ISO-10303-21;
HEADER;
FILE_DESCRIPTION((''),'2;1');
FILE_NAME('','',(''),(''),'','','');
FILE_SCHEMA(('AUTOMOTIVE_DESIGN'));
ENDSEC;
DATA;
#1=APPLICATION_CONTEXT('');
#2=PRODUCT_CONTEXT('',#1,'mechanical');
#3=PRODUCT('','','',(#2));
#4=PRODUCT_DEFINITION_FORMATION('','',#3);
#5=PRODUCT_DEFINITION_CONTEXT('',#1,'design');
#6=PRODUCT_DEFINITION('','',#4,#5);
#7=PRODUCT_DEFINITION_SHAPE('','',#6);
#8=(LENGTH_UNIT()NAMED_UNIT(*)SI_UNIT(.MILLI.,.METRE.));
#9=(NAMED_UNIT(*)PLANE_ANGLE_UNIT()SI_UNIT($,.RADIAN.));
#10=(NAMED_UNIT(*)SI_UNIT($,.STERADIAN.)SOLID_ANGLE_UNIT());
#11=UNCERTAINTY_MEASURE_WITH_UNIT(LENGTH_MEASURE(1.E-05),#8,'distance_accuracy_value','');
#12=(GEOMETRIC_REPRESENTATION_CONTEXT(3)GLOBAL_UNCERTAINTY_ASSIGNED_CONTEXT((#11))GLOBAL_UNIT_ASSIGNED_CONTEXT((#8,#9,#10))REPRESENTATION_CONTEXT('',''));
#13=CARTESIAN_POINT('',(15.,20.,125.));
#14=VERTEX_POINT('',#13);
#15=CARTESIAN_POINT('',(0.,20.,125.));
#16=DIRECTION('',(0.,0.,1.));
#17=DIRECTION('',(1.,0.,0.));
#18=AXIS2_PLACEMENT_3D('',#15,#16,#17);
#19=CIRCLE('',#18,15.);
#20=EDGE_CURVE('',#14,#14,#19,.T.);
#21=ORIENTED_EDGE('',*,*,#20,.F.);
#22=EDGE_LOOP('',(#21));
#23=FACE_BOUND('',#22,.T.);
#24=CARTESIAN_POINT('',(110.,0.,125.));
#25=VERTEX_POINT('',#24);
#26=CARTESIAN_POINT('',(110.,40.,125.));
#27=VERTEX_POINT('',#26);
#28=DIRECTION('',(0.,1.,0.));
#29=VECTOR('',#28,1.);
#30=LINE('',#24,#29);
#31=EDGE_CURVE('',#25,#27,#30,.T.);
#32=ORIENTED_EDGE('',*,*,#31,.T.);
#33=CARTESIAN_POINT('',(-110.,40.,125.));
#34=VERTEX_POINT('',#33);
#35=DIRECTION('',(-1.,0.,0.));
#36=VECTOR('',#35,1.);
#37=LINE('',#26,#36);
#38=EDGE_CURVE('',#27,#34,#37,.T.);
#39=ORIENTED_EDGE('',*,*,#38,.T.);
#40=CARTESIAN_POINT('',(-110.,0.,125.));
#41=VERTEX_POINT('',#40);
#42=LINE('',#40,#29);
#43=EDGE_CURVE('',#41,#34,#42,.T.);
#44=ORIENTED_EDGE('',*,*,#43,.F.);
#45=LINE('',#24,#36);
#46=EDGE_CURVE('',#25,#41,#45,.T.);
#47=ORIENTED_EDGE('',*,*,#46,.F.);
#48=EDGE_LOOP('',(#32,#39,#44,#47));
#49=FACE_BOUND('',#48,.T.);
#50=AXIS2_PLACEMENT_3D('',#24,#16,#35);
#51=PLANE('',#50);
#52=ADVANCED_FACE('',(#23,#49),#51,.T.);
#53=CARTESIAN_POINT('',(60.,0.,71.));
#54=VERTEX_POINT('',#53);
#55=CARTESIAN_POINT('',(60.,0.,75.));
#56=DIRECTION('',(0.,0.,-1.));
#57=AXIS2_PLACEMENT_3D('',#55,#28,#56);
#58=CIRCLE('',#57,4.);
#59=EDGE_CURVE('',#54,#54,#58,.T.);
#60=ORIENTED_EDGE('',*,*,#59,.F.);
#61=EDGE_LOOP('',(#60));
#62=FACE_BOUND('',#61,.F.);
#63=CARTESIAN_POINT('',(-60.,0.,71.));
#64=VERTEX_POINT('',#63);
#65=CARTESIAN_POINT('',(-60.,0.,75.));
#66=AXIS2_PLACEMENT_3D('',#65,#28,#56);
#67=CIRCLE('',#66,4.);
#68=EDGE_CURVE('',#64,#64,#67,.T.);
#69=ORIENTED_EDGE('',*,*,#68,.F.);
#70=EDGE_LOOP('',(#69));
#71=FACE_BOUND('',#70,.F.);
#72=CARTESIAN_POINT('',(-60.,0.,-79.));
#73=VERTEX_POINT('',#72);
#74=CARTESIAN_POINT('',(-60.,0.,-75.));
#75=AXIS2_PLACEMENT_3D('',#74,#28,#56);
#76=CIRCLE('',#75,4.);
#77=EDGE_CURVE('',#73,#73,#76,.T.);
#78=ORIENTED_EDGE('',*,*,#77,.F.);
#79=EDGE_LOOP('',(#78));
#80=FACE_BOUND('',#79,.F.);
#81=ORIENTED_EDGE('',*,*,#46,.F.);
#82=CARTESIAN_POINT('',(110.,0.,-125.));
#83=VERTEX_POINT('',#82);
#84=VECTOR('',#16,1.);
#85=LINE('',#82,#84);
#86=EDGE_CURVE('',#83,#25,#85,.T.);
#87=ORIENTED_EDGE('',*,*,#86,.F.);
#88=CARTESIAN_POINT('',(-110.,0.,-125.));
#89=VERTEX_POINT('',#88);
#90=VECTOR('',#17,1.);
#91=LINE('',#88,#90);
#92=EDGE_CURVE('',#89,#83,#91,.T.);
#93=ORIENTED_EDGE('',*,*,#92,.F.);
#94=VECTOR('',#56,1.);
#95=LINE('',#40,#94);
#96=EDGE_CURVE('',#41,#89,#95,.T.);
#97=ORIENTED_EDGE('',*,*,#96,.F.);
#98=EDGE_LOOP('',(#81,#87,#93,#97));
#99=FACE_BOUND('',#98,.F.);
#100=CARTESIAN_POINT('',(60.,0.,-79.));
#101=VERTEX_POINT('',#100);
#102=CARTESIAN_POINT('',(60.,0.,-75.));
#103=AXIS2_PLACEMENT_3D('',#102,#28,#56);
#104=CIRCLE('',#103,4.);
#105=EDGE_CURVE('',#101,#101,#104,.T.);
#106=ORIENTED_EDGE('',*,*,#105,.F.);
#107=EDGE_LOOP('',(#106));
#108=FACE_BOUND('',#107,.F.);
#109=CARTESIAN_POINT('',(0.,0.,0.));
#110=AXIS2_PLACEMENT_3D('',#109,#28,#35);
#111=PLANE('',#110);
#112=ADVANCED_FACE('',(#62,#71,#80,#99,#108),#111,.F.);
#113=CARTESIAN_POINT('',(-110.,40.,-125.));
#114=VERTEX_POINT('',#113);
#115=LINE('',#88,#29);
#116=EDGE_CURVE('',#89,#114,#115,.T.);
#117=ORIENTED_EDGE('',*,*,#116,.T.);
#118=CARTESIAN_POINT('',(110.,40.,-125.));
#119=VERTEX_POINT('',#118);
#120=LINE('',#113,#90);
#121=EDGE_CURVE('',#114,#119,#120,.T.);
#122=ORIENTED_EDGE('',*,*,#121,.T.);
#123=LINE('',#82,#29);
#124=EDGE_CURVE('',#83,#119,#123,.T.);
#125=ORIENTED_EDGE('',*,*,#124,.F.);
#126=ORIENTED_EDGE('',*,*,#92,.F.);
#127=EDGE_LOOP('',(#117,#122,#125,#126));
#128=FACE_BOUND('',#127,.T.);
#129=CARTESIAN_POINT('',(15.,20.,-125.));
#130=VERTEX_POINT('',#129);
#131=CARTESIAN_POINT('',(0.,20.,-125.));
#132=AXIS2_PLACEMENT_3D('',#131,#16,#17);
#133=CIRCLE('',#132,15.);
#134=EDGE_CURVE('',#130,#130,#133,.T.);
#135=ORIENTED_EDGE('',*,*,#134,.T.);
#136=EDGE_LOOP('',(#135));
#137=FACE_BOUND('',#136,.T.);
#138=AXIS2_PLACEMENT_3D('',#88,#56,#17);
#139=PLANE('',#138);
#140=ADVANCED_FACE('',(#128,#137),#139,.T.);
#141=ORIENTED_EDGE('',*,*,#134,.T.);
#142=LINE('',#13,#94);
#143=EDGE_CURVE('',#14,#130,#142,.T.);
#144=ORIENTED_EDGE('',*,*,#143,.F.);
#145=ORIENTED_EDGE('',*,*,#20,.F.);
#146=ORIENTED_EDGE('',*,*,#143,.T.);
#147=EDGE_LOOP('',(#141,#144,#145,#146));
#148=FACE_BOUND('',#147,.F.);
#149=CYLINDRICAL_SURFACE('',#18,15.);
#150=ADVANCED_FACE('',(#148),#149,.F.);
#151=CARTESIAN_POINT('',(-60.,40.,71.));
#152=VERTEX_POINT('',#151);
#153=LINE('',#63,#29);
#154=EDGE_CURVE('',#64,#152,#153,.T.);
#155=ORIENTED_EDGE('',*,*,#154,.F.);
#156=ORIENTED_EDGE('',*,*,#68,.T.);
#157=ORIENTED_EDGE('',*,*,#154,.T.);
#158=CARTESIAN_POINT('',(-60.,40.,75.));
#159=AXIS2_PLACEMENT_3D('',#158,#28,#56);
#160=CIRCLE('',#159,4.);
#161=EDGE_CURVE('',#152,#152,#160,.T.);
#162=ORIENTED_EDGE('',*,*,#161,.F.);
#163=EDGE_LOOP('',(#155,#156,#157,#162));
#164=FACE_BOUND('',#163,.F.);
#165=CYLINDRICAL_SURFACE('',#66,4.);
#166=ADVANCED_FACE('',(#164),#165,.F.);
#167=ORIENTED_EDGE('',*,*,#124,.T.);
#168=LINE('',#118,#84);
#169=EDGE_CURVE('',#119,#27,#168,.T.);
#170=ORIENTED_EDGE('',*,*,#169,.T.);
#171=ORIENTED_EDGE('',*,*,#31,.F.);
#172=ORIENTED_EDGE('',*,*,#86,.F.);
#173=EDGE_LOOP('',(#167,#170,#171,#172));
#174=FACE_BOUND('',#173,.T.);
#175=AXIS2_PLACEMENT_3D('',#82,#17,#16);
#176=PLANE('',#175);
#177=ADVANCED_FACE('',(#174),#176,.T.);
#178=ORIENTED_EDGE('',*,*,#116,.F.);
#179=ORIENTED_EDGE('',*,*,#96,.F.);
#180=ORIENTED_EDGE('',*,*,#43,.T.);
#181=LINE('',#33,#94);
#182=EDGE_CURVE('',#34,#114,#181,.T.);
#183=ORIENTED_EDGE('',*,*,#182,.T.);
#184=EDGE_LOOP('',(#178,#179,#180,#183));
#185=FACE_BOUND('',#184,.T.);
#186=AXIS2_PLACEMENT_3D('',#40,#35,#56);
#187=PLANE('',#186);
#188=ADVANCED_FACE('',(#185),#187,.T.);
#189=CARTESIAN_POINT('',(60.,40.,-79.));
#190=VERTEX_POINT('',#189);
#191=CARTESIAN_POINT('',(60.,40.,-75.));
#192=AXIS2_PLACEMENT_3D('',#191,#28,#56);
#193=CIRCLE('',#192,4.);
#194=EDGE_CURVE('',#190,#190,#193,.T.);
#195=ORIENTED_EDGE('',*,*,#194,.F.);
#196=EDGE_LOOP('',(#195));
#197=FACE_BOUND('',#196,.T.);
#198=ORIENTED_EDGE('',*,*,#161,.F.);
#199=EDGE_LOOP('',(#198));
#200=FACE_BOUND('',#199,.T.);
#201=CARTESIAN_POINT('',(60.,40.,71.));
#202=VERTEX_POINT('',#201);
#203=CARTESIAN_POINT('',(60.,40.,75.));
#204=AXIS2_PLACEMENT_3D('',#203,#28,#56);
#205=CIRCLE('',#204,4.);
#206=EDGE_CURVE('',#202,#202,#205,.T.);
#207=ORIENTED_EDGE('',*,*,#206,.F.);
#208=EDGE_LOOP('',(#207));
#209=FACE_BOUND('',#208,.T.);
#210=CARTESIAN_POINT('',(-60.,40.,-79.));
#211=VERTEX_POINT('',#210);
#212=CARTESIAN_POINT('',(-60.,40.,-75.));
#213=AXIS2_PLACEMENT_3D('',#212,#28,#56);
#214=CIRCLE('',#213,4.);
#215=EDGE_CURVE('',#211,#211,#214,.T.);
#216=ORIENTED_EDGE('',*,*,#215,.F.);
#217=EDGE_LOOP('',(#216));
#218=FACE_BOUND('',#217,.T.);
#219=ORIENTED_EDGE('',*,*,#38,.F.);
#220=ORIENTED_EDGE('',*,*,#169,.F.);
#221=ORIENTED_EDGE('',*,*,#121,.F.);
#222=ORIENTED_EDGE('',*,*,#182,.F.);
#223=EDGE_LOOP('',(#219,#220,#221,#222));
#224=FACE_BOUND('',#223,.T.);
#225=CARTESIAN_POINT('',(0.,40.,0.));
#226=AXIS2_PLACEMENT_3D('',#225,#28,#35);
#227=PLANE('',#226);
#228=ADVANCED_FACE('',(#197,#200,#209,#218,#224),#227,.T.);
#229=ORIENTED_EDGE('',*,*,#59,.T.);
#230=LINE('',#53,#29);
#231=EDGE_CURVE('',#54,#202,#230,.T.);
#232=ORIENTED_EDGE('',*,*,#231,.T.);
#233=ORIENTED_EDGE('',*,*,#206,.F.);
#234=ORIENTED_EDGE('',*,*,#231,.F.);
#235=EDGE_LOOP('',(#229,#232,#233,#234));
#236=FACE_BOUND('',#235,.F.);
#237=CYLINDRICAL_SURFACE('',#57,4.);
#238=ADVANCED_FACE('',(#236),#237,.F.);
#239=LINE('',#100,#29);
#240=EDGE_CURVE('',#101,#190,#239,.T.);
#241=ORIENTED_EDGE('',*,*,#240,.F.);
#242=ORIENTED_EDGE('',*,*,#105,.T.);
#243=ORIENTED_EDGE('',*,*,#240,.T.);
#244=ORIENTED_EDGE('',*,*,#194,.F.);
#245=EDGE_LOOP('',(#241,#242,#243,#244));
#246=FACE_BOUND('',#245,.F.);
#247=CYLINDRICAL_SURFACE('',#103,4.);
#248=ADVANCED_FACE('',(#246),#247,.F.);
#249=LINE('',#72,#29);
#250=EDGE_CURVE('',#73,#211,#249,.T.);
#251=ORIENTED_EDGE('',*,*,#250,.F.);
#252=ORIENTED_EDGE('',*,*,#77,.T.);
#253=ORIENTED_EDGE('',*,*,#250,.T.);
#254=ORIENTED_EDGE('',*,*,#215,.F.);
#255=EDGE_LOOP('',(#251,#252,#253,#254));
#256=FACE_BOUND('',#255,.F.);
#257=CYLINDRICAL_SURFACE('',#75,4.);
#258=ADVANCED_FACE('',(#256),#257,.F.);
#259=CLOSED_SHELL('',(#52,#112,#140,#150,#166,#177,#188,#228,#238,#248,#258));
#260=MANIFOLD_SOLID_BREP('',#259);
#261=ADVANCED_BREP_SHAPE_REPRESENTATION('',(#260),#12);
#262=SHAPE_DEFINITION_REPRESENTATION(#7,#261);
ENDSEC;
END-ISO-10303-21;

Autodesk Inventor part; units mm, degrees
ref_plane "YZ Plane" through (0, 0, 0) normal (1, 0, 0) x (0, 1, 0)
ref_plane "XZ Plane" through (0, 0, 0) normal (0, 1, 0) x (-1, 0, 0)
ref_plane "XY Plane" through (0, 0, 0) normal (0, 0, 1) x (1, 0, 0)
sketch "Sketch1" plane through (0, 0, 0) normal (0, 1, 0) x (-1, 0, 0)
  line L0 (110, -125) -> (-110, -125)
  line L1 (-110, -125) -> (-110, 125)
  line L2 (-110, 125) -> (110, 125)
  line L3 (110, 125) -> (110, -125)
  line L4 (110, -125) -> (-110, 125) construction
  line L5 (-110, -125) -> (110, 125) construction
  line L6 (-60, 75) -> (60, 75) construction
  line L7 (60, 75) -> (60, -75) construction
  line L8 (60, -75) -> (-60, -75) construction
  line L9 (-60, -75) -> (-60, 75) construction
  line L10 (-60, 75) -> (60, -75) construction
  line L11 (60, 75) -> (-60, -75) construction
  point P0 (0, 0)
  dimension "d0" = 220
  dimension "d1" = 250
  dimension "d2" = 120
  dimension "d3" = 150
extrude "Extrusion1" add sketch "Sketch1" along normal blind 40
hole "Hole1" at (-60, 0, -75) at (60, 0, -75) at (60, 0, 75) at (-60, 0, 75) direction (0, 1, 0) diameter 8 end through all
sketch "Sketch2" plane through (-110, 0, 125) normal (0, 0, 1) x (1, 0, 0)
  line L0 (0, 0) -> (220, 0) construction
  line L1 (0, 40) -> (220, 40) construction
  line L2 (220, 0) -> (0, 40) construction
  line L3 (0, 0) -> (220, 40) construction
  circle A0 centre (110, 20) radius 15
  point P0 (110, 0)
  dimension "d13" = 30
extrude "Extrusion2" cut sketch "Sketch2" against normal through all
properties part number "SACMI DPA TILES GRIP FIXED SUPPORT"
